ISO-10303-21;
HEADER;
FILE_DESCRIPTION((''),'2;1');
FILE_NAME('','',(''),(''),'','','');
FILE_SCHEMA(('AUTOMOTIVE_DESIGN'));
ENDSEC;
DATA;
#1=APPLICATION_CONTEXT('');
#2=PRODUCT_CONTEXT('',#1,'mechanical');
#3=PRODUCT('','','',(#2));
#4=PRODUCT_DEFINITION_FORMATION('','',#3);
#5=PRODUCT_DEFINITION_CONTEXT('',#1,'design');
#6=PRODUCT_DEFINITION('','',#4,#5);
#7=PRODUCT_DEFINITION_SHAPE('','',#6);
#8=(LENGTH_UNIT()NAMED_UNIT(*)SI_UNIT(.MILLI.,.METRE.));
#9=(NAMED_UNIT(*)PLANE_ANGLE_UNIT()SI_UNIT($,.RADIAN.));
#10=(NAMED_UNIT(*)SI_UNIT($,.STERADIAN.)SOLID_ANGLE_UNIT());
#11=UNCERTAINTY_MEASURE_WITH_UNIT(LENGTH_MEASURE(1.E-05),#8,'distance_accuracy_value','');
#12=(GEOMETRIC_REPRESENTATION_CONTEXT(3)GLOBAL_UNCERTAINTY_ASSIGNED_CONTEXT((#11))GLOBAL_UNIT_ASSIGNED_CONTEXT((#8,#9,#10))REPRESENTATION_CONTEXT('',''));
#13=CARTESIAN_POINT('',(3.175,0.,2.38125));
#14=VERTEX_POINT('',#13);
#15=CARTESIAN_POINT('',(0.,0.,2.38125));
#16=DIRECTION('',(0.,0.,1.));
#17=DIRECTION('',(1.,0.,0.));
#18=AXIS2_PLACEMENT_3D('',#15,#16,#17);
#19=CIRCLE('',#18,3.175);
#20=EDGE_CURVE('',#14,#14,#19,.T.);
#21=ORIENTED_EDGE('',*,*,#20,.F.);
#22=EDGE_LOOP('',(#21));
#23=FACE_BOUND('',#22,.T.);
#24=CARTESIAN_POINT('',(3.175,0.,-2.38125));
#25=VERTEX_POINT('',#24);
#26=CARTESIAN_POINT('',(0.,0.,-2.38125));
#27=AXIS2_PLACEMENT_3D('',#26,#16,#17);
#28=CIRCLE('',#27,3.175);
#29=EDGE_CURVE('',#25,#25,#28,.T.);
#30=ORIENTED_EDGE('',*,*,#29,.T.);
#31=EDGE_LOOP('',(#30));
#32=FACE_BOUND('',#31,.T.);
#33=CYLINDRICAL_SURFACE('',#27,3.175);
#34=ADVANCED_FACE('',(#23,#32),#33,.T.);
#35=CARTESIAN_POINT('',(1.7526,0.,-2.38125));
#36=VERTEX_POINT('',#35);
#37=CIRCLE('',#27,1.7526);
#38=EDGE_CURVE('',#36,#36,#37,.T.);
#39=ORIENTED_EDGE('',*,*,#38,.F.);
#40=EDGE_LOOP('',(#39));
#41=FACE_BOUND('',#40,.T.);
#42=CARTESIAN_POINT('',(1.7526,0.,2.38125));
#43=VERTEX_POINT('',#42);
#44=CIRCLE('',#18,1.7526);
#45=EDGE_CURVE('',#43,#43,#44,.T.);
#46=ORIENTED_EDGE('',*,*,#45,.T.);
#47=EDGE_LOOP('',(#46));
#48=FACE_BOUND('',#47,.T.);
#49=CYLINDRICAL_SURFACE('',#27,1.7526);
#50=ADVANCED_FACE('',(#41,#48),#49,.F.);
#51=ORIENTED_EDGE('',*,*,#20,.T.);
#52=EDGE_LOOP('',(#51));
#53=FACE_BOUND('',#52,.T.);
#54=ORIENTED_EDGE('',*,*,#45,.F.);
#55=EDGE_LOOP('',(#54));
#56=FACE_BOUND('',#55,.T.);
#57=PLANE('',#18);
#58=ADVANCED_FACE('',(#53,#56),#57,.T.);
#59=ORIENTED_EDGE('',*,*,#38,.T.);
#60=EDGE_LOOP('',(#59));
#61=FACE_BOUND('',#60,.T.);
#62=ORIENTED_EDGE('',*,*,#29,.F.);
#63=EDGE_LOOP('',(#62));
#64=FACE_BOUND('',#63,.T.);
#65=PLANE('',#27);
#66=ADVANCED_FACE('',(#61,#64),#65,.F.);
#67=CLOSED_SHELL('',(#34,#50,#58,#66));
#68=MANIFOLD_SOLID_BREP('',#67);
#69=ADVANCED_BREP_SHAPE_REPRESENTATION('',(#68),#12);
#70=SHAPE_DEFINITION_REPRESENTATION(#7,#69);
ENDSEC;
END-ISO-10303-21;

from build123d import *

# Parameters (mm, degrees)
SKETCH3_R      = 3.175
SKETCH3_R_2    = 1.7526
EXTRUDE1_DEPTH = 2.38125


with BuildPart() as part:
    # Sketch3 → Extrude1 (new body, symmetric)
    with BuildSketch(Plane.XY):
        Circle(SKETCH3_R)
        Circle(SKETCH3_R_2, mode=Mode.SUBTRACT)
    extrude(amount=EXTRUDE1_DEPTH, both=True)


solid = part.part
